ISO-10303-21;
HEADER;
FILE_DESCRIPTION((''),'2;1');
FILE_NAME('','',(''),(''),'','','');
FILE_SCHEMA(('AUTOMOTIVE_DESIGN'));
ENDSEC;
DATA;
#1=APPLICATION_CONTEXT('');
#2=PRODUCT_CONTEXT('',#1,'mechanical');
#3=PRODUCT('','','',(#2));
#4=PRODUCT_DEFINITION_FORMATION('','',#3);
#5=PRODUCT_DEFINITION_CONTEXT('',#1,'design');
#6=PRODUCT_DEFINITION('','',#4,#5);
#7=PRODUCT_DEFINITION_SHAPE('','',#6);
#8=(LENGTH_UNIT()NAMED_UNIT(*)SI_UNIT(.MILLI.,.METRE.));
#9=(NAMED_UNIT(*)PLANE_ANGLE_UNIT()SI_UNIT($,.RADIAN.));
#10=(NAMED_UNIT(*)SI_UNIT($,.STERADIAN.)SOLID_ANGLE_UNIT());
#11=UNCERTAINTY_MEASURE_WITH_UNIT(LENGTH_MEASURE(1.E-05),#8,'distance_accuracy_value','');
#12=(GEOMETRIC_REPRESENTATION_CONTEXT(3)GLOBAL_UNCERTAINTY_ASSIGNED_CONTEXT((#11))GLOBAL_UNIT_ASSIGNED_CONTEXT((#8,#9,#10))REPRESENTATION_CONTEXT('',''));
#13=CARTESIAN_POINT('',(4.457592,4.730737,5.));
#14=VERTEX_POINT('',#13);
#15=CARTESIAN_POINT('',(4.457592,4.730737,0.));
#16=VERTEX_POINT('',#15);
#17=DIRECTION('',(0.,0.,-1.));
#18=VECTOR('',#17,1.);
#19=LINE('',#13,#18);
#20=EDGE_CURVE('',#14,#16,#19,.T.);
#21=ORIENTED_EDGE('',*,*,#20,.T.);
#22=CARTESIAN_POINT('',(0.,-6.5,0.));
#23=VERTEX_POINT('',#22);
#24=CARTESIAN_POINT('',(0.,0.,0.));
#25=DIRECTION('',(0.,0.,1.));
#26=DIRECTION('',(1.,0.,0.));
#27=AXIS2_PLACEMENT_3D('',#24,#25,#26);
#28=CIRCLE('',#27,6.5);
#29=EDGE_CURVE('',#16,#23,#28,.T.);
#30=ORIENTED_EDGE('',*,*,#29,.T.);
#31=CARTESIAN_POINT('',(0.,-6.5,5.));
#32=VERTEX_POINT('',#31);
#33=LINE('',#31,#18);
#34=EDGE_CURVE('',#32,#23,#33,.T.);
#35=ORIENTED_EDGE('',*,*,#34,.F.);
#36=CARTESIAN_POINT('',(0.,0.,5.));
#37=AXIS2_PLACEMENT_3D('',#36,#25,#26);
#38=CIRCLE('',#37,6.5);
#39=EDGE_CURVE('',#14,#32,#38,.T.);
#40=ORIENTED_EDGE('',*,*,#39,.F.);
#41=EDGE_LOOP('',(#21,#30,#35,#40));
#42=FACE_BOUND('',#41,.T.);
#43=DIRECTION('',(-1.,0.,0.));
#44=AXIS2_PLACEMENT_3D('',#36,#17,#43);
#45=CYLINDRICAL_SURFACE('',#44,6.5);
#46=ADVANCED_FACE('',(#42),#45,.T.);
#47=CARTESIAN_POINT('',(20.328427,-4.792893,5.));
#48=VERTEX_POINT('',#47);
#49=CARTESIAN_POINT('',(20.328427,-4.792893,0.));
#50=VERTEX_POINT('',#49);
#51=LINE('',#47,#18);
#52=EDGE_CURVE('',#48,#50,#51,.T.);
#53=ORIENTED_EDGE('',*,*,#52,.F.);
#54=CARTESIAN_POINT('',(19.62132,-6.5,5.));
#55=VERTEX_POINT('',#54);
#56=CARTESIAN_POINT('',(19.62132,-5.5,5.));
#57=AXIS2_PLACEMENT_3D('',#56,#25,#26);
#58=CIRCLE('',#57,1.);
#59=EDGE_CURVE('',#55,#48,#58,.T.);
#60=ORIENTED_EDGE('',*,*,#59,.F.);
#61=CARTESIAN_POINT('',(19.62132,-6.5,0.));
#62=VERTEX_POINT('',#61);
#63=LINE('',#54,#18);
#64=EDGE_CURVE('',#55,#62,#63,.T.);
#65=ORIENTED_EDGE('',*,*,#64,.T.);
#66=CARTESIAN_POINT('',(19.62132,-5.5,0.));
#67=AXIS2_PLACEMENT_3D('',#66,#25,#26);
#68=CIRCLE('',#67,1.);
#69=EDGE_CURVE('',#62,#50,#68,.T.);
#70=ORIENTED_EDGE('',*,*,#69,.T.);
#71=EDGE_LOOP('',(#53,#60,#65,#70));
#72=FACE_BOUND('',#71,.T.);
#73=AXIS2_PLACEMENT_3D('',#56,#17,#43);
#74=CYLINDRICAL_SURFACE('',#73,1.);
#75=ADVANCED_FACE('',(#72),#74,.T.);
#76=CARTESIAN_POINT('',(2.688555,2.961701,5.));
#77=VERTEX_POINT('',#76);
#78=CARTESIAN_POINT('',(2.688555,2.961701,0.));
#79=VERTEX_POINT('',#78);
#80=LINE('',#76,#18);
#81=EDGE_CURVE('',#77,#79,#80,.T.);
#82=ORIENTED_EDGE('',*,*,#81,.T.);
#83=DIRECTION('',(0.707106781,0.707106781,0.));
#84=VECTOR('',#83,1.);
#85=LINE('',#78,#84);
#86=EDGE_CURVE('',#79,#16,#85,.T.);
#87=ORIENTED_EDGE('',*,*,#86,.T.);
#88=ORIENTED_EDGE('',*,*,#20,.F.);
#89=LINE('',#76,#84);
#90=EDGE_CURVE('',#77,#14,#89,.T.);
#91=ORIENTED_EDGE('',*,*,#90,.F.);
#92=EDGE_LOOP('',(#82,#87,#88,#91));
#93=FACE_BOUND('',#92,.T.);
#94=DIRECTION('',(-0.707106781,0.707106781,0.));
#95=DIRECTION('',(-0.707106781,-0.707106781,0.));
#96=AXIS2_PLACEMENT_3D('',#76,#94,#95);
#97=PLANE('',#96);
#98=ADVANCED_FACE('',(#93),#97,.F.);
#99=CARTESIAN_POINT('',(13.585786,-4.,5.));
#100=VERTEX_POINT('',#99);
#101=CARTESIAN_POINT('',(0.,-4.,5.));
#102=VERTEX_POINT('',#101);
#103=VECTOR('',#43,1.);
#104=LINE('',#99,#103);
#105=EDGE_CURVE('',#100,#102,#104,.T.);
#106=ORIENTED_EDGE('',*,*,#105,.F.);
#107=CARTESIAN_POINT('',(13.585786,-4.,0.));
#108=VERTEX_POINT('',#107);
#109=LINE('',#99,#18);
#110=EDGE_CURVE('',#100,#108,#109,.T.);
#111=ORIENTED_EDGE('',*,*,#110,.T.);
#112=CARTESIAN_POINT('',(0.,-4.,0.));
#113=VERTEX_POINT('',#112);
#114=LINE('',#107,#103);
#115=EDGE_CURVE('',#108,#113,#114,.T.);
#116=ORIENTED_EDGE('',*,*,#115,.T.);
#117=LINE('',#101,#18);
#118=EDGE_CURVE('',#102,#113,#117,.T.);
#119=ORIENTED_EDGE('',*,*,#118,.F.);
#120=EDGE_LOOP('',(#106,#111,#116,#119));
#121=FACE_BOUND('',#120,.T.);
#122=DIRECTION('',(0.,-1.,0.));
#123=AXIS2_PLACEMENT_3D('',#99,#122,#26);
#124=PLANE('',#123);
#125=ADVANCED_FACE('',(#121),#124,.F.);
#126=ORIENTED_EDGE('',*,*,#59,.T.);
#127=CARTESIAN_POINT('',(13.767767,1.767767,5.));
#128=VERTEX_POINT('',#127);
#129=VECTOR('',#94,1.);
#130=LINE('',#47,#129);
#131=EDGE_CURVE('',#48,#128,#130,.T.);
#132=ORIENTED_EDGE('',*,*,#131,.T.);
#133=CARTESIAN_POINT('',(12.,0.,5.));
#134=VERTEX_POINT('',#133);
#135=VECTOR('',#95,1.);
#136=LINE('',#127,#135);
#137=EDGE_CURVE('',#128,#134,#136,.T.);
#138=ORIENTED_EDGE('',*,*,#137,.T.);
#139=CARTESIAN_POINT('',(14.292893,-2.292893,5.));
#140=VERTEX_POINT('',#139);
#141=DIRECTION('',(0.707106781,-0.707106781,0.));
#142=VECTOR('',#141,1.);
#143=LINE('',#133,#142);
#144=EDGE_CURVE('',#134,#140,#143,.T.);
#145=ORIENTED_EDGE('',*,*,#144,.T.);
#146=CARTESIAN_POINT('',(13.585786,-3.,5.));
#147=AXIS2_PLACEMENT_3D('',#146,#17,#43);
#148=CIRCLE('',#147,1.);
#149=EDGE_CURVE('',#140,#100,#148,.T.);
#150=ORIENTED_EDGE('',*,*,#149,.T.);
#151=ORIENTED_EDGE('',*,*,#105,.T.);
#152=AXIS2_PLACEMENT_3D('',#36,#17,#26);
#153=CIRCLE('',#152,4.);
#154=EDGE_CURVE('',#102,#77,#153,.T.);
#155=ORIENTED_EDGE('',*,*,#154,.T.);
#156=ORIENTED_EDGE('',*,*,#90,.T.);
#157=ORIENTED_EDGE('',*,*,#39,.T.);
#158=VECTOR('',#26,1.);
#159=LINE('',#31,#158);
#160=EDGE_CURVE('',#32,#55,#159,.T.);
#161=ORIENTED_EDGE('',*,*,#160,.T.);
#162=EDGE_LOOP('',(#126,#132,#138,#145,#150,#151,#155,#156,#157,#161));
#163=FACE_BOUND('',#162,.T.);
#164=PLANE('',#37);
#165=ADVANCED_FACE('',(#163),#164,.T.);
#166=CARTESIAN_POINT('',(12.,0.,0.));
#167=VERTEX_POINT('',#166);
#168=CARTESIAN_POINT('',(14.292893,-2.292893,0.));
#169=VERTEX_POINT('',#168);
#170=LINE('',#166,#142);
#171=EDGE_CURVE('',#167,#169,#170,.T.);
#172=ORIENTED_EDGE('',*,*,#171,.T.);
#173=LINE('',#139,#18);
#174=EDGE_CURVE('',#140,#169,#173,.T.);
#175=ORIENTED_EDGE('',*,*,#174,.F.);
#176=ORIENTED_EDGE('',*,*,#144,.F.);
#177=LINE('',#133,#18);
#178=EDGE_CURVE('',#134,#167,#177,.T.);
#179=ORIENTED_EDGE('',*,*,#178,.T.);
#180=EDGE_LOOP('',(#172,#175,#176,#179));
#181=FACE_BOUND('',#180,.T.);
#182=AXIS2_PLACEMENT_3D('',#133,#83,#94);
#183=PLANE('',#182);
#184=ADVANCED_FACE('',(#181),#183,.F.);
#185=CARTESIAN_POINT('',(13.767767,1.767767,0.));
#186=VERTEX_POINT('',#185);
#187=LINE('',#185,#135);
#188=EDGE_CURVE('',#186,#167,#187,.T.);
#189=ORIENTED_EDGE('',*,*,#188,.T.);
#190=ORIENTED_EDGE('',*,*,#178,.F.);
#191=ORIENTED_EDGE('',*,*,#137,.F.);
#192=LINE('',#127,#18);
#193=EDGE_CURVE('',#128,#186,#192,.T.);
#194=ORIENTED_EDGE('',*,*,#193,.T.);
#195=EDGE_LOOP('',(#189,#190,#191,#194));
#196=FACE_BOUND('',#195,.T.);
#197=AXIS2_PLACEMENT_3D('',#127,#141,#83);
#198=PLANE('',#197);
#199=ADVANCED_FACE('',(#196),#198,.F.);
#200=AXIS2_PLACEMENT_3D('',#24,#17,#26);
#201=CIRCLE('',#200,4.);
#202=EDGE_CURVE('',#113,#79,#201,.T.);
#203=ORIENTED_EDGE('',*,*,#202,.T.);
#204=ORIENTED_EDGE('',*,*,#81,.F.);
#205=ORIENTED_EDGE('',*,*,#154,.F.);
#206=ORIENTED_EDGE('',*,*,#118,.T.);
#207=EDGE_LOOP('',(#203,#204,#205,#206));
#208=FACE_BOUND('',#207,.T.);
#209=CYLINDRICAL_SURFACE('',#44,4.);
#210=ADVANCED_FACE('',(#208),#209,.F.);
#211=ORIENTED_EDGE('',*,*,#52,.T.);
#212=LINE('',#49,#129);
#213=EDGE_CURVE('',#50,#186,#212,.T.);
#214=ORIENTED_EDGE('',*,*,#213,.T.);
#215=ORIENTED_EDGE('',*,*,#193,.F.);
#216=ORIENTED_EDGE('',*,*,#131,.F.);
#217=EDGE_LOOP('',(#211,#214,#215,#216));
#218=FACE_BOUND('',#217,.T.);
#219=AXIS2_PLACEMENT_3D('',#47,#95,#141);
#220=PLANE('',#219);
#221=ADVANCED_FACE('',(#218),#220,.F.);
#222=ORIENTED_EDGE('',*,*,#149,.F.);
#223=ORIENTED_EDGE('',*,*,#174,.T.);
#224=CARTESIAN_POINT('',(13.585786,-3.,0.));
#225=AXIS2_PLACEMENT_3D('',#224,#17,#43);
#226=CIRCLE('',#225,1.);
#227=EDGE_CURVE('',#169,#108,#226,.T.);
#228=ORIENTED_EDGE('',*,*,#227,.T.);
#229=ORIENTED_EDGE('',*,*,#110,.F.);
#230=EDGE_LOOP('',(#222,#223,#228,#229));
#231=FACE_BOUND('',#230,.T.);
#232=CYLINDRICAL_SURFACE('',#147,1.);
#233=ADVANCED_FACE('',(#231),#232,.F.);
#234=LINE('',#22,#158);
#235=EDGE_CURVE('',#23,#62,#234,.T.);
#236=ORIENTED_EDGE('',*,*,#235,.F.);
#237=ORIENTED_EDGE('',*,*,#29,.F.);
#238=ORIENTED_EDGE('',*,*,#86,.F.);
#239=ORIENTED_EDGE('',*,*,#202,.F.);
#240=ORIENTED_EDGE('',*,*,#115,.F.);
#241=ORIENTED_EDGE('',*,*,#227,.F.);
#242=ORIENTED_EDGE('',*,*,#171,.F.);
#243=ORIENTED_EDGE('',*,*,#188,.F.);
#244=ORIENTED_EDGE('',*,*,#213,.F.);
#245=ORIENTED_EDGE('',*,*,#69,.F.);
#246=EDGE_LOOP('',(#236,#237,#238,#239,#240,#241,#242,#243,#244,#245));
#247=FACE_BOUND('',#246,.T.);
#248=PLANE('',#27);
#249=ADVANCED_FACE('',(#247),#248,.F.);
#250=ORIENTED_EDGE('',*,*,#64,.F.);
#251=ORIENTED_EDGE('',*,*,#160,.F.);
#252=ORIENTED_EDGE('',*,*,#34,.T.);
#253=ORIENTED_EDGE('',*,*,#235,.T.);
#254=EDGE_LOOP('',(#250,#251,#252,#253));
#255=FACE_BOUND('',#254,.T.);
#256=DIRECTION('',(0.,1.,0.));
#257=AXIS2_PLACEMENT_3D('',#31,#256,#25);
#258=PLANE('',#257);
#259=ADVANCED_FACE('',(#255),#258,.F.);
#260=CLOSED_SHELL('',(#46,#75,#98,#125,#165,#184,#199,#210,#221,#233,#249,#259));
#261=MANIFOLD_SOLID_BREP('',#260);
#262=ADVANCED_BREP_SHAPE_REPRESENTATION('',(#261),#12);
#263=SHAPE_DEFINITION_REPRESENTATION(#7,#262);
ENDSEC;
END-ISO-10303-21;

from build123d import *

# Parameters (mm, degrees)
RESSALTO_EXTRUS_O1_DEPTH = 5


with BuildPart() as part:
    # Esboço1 → Ressalto-extrusão1 (new body)
    with BuildSketch(Plane.XY):
        with BuildLine():
            Line((0, -6.5), (19.621320344, -6.5))
            ThreePointArc((19.621320344, -6.5), (20.545199876, -5.882683432), (20.328427125, -4.792893219))
            Line((20.328427125, -4.792893219), (13.767766953, 1.767766953))
            Line((13.767766953, 1.767766953), (12, 0))
            Line((12, 0), (14.292893219, -2.292893219))
            ThreePointArc((14.292893219, -2.292893219), (14.50966597, -3.382683432), (13.585786438, -4))
            Line((13.585786438, -4), (0, -4))
            ThreePointArc((0, -4), (-3.731407445, 1.441040764), (2.688555117, 2.961700759))
            Line((2.688555117, 2.961700759), (4.457591724, 4.730737366))
            ThreePointArc((4.457591724, 4.730737366), (-6.041514416, 2.397937356), (0, -6.5))
        make_face()
    extrude(amount=RESSALTO_EXTRUS_O1_DEPTH)


solid = part.part
